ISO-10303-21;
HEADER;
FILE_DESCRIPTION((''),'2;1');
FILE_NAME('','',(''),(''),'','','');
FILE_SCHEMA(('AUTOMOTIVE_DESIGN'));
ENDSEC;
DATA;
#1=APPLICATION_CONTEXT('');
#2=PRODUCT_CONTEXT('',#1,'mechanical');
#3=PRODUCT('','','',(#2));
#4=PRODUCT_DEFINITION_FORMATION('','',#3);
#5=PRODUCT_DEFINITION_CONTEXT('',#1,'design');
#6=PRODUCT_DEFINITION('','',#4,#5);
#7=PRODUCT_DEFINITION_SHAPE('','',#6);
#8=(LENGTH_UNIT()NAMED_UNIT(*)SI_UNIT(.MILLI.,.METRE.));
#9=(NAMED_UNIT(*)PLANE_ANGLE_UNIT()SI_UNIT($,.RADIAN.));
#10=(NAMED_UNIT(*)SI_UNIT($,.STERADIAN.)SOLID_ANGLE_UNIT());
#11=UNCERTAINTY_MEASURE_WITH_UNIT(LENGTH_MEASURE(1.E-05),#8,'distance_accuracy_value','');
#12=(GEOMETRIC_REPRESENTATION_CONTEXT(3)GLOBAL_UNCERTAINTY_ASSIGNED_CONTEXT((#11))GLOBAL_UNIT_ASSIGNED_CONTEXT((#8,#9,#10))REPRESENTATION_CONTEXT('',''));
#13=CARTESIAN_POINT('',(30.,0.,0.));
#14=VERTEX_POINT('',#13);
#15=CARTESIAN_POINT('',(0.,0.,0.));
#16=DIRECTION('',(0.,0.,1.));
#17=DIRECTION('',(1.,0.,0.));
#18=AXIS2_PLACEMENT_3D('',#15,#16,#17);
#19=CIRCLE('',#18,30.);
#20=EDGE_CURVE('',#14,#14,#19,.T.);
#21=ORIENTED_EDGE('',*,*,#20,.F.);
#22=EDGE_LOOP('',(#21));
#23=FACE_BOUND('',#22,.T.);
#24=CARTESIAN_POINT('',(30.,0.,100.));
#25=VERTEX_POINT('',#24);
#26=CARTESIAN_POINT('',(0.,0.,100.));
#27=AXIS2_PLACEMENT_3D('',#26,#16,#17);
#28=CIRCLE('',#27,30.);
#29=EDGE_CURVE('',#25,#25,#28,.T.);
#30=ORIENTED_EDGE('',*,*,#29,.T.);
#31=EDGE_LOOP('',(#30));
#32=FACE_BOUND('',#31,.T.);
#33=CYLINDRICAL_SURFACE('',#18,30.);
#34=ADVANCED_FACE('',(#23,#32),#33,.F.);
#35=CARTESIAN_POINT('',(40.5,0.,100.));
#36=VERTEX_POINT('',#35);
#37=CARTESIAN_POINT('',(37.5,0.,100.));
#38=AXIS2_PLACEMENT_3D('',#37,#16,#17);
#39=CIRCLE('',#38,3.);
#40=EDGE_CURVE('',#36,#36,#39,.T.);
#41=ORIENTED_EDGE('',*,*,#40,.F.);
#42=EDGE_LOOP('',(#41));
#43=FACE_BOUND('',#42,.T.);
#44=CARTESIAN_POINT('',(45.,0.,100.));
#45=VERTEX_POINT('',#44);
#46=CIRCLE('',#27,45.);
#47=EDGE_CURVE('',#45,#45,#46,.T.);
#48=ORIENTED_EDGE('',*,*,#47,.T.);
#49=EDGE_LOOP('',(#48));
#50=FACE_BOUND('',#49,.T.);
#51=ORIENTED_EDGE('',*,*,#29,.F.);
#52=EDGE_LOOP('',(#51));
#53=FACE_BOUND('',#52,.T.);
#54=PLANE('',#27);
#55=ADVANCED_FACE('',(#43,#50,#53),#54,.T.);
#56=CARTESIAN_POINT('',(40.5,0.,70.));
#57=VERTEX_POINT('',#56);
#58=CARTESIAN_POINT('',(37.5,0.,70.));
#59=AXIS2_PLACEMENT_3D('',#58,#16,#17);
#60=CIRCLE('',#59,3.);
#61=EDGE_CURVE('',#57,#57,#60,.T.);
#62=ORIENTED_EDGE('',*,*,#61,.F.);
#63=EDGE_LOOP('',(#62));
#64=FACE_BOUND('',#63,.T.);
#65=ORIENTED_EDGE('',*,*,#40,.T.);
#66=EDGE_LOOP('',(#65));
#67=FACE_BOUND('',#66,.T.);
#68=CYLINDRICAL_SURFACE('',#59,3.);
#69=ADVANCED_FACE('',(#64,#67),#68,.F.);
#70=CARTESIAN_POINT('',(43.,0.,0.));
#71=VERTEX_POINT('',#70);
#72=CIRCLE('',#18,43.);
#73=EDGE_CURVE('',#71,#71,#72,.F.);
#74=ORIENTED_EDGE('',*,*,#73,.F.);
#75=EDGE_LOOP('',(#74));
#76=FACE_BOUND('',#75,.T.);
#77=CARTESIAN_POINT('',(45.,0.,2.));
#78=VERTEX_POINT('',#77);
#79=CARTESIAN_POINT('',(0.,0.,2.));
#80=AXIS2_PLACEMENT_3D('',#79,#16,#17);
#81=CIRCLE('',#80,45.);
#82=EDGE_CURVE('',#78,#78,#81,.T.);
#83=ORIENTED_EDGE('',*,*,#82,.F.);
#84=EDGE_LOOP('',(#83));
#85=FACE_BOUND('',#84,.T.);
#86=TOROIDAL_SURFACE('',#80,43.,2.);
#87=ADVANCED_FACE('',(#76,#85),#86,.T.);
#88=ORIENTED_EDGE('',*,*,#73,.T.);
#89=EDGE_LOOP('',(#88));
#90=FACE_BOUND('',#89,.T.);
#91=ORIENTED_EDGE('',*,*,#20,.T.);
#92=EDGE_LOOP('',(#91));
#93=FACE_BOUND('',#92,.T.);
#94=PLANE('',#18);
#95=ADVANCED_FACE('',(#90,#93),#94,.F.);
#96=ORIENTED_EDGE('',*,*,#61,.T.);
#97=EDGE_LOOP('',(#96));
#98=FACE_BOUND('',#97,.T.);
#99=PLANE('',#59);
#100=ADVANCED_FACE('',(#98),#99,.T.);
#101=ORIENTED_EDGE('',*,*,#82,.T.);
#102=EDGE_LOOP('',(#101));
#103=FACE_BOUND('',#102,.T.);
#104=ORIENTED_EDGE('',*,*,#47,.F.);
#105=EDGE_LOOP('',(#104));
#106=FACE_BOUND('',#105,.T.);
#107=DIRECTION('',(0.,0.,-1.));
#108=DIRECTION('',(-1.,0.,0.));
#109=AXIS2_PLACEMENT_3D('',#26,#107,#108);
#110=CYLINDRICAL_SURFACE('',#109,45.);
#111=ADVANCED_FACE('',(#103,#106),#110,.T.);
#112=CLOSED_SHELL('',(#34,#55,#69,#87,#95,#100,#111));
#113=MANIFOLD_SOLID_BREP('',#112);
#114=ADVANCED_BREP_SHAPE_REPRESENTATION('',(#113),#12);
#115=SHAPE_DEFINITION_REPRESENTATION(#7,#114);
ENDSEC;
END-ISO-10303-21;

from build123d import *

# Parameters (mm, degrees)
ESQUISSE1_R             = 45
BASE_EXTRUSION_DEPTH    = 100
ESQUISSE2_R             = 30
ENL_V_MAT_EXTRU_1_DEPTH = 100
ESQUISSE3_R             = 3
ENL_V_MAT_EXTRU_2_DEPTH = 30
CONG_1_R                = 2


with BuildPart() as part:
    # Esquisse1 → Base-Extrusion (new body)
    with BuildSketch(Plane.XY):
        Circle(ESQUISSE1_R)
    extrude(amount=BASE_EXTRUSION_DEPTH)

    # Esquisse2 → Enlèv. mat.-Extru.1 (cut)
    with BuildSketch(Plane.XY.offset(100)):
        Circle(ESQUISSE2_R)
    extrude(amount=-ENL_V_MAT_EXTRU_1_DEPTH, mode=Mode.SUBTRACT)

    # Esquisse3 → Enlèv. mat.-Extru.2 (cut)
    with BuildSketch(Plane.XY.offset(100)):
        with Locations((37.5, 0)):
            Circle(ESQUISSE3_R)
    extrude(amount=-ENL_V_MAT_EXTRU_2_DEPTH, mode=Mode.SUBTRACT)

    # Congé1
    cong_1_edges = [part.edges().sort_by_distance(p)[0] for p in [
        (-45, 0, 0),
    ]]
    fillet(cong_1_edges, radius=CONG_1_R)


solid = part.part
